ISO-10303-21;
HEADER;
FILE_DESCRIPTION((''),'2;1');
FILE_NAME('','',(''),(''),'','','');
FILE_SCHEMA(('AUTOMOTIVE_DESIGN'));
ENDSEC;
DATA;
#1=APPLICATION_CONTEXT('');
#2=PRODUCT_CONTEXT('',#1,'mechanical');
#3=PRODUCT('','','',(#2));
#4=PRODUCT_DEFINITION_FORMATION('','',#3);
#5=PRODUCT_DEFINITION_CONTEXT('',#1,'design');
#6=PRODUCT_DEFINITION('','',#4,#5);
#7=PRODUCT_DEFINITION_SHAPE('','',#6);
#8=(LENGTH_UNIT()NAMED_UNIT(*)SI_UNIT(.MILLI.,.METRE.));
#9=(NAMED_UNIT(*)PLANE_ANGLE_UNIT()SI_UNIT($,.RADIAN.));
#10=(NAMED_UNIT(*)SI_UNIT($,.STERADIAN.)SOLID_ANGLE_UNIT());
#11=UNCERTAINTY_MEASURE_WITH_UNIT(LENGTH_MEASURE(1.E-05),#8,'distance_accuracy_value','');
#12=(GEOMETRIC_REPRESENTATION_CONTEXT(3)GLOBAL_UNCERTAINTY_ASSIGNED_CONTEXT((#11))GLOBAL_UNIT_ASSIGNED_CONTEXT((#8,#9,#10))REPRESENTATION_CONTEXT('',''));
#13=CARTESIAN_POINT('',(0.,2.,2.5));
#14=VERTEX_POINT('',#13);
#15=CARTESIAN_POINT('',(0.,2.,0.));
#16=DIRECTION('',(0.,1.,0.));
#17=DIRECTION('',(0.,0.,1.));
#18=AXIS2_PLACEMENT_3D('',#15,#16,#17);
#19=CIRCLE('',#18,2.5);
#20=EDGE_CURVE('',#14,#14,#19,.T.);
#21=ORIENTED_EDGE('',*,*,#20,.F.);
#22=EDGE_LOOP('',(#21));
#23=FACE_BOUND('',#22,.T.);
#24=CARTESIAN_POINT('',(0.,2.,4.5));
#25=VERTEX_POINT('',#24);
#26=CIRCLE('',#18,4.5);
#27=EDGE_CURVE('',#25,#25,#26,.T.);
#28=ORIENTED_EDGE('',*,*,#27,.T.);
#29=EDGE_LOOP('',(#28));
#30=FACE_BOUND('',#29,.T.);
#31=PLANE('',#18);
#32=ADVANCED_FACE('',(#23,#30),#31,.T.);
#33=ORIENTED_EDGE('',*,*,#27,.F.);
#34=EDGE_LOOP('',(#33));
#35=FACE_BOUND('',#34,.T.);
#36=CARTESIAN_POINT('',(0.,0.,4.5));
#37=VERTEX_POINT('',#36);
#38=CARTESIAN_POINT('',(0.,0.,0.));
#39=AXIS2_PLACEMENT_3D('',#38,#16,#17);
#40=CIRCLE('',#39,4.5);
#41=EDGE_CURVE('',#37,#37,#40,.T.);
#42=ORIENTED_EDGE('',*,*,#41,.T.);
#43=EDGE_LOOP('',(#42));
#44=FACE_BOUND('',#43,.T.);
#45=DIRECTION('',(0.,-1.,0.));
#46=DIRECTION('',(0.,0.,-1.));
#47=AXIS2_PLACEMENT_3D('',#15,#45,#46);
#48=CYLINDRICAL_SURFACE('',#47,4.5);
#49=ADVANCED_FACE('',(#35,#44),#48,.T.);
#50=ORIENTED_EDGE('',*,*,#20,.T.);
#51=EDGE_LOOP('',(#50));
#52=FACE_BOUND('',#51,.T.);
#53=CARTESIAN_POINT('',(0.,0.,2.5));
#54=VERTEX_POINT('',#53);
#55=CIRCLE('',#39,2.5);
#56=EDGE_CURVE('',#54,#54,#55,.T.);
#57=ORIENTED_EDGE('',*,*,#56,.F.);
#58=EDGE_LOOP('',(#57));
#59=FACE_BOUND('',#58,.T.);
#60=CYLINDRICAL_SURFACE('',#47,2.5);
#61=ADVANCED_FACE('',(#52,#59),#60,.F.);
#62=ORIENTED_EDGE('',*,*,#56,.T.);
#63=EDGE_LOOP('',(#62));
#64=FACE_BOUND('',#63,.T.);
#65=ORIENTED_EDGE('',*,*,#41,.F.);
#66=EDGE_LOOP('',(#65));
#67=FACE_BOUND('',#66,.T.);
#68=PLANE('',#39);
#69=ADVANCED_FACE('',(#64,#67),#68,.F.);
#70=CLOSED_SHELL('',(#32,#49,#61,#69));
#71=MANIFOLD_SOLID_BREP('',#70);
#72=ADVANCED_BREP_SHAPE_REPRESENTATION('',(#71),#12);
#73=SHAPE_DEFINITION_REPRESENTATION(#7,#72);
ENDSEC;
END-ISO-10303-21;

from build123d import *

# Parameters (mm, degrees)
SKETCH1_R           = 4.5
SKETCH1_R_2         = 2.5
BOSS_EXTRUDE1_DEPTH = 2


with BuildPart() as part:
    # Sketch1 → Boss-Extrude1 (new body)
    with BuildSketch(Plane(origin=(0, 0, 0), x_dir=(1, 0, 0), z_dir=(0, 1, 0))):
        with Locations(Location((0, 0, 0), (0, 0, 270))):
            Circle(SKETCH1_R)
        with Locations(Location((0, 0, 0), (0, 0, 270))):
            Circle(SKETCH1_R_2, mode=Mode.SUBTRACT)
    extrude(amount=BOSS_EXTRUDE1_DEPTH)


solid = part.part
